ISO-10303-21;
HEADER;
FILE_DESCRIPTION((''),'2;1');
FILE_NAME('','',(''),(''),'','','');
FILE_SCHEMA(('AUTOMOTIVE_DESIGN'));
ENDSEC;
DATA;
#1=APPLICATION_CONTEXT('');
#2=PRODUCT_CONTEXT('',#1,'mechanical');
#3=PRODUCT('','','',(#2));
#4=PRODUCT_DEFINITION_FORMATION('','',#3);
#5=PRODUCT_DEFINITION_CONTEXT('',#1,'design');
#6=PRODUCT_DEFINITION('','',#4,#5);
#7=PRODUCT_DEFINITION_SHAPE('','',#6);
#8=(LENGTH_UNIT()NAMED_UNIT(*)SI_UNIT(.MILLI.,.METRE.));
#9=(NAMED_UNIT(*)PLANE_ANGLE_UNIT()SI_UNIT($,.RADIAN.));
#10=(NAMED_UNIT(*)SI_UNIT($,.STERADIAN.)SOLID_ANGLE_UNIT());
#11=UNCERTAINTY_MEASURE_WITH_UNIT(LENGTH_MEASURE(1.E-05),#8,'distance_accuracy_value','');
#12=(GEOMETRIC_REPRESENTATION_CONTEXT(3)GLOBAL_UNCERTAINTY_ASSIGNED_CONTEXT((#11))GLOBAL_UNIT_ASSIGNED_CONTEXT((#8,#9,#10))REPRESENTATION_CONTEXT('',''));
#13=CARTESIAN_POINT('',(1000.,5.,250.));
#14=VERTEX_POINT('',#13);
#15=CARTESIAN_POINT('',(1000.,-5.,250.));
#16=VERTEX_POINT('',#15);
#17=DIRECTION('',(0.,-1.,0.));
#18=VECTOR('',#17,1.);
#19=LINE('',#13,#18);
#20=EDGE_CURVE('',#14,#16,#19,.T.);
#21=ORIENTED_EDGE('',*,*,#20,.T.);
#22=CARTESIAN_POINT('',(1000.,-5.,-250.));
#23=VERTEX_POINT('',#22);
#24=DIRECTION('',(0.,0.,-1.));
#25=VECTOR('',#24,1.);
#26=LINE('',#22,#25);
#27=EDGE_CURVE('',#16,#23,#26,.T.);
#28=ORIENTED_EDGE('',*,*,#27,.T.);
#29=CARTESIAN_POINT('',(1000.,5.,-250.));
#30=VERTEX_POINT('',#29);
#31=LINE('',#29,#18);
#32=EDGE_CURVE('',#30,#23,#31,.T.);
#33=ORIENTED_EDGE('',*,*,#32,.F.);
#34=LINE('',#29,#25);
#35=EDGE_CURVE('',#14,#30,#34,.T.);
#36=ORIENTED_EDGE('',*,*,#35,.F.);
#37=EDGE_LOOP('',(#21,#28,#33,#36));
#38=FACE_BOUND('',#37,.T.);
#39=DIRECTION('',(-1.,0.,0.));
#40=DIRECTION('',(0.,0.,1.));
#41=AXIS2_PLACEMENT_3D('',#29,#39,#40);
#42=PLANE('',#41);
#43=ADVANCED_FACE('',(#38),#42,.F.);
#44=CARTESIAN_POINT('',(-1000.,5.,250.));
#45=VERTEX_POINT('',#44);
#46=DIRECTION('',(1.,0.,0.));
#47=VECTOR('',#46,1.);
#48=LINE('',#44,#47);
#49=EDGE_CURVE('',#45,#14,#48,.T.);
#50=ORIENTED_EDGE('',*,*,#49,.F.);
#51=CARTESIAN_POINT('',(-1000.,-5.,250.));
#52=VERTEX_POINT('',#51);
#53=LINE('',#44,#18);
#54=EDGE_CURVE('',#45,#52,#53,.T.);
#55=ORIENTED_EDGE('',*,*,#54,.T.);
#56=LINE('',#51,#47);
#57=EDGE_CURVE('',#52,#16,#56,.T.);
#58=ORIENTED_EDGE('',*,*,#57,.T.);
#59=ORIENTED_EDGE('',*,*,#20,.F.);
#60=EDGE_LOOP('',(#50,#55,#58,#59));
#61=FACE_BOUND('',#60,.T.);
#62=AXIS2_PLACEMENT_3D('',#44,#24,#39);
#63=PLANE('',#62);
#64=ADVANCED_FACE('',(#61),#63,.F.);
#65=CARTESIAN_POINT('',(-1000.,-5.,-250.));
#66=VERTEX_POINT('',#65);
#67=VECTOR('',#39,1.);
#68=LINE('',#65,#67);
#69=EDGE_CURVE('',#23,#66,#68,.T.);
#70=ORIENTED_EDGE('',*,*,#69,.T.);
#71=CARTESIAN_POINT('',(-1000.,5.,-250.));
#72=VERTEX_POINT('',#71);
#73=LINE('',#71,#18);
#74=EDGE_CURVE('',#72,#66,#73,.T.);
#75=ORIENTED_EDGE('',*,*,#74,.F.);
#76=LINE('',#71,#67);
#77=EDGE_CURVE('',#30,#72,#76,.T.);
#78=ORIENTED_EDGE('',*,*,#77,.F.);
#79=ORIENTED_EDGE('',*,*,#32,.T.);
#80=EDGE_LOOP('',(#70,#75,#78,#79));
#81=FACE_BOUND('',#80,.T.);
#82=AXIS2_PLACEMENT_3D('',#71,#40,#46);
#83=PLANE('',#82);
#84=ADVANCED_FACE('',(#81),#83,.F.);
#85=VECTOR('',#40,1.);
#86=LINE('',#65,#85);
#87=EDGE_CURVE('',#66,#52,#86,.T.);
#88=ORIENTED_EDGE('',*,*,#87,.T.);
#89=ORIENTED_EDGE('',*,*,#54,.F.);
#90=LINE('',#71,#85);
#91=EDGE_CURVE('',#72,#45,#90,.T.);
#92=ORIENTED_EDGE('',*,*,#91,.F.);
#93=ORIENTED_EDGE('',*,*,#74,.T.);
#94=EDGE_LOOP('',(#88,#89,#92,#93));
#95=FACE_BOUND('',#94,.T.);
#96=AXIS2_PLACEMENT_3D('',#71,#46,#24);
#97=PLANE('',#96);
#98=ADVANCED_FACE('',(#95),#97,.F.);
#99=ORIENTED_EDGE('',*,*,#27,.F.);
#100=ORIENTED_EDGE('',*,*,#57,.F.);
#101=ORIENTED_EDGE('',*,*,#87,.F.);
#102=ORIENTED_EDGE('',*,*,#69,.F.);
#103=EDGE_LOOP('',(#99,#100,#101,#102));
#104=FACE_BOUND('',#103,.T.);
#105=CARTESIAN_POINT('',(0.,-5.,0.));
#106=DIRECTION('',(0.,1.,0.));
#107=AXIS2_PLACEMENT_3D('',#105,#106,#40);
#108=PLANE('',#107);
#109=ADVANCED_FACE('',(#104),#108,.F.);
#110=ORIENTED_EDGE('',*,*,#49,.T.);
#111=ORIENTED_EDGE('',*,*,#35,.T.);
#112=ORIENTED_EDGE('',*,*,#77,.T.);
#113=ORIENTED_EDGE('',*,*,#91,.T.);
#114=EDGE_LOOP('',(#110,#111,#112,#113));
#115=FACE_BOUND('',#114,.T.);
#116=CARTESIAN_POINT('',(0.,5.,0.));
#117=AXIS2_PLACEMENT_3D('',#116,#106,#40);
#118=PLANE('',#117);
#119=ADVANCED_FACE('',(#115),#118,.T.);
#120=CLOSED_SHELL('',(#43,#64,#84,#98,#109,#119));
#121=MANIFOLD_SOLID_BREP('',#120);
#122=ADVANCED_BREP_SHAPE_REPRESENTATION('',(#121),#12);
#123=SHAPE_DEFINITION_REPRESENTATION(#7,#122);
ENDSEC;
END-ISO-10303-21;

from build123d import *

# Parameters (mm, degrees)
SKETCH1_W           = 2000
SKETCH1_H           = 500
BOSS_EXTRUDE1_DEPTH = 5


with BuildPart() as part:
    # Sketch1 → Boss-Extrude1 (new body, symmetric)
    with BuildSketch(Plane(origin=(0, 0, 0), x_dir=(1, 0, 0), z_dir=(0, 1, 0))):
        Rectangle(SKETCH1_W, SKETCH1_H)
    extrude(amount=BOSS_EXTRUDE1_DEPTH, both=True)


solid = part.part
